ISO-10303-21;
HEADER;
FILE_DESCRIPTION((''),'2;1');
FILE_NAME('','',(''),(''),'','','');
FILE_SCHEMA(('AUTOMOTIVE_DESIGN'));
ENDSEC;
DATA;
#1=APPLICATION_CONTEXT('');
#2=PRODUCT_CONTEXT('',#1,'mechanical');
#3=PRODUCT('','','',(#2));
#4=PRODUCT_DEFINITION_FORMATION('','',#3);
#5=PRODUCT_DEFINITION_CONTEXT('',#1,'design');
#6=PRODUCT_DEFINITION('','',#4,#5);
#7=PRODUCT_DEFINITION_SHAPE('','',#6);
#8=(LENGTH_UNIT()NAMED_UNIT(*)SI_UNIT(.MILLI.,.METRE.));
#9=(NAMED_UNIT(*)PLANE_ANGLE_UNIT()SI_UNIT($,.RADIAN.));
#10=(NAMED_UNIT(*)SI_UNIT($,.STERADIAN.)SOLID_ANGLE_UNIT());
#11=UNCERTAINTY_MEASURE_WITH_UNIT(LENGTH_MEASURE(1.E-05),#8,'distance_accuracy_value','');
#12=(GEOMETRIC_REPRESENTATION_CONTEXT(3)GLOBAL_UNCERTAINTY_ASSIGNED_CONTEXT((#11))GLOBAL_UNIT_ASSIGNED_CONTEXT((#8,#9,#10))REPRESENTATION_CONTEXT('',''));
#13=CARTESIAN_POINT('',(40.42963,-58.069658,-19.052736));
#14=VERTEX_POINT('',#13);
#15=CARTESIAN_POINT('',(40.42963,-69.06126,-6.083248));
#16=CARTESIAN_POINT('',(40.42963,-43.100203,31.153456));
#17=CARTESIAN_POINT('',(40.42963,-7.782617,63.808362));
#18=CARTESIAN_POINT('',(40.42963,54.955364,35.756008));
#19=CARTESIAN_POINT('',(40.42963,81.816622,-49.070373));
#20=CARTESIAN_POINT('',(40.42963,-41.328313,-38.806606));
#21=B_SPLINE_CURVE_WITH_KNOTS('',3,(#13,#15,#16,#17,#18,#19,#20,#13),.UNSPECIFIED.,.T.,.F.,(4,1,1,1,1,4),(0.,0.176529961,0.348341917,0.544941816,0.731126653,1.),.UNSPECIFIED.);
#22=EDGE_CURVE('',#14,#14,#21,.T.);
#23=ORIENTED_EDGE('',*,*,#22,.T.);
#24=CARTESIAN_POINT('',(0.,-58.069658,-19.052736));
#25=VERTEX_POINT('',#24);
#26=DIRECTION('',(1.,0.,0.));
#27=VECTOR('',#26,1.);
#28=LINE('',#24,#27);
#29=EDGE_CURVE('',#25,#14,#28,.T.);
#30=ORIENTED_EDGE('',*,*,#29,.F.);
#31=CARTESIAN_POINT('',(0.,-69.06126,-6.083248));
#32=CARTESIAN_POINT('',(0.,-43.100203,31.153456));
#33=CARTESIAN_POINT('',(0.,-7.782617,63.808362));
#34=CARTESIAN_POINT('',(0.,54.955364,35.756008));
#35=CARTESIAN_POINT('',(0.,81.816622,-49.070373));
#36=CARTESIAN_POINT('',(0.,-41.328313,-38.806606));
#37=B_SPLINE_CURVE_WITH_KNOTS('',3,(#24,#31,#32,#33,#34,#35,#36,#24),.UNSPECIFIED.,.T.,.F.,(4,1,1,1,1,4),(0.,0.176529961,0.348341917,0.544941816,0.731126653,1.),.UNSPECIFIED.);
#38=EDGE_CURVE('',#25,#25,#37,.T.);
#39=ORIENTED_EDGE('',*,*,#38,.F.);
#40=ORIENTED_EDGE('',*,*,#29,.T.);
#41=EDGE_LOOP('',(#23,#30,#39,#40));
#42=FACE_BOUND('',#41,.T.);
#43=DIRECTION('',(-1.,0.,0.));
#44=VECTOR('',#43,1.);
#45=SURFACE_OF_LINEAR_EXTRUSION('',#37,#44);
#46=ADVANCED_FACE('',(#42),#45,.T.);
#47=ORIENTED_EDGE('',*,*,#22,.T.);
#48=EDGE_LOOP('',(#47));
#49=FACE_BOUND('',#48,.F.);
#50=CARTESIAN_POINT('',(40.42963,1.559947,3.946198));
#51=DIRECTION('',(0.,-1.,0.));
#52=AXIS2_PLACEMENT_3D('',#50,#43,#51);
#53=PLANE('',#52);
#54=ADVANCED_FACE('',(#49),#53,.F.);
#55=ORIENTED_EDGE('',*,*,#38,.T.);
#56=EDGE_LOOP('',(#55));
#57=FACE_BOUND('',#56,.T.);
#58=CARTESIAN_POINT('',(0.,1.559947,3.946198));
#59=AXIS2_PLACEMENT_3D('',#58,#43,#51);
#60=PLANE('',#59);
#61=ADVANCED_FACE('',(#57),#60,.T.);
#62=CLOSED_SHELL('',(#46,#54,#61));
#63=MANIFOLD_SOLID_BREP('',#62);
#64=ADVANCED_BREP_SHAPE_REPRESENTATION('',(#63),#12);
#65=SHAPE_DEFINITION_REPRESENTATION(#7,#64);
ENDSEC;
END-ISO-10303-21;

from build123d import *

# Parameters (mm, degrees)
F1_DEPTH = 40.42963


with BuildPart() as f1:
    # F0 (on Right) → F1 (new body)
    with BuildSketch(Plane.YZ):
        with BuildLine():
            add(Edge.make_bspline(
                [(-58.0696575344, -19.0527364612), (-69.0612599146, -6.0832476896), (-43.1002031815, 31.1534559629), (-7.7826165663, 63.8083620222), (54.9553639374, 35.7560079808), (81.8166217399, -49.0703731928), (-41.3283129184, -38.8066061434), (-58.0696575344, -19.0527364612)],
                knots=[0, 0, 0, 0, 0.1765299614, 0.3483419167, 0.5449418159, 0.7311266532, 1, 1, 1, 1], degree=3))
        make_face()
    extrude(amount=F1_DEPTH)


solid = f1.part
